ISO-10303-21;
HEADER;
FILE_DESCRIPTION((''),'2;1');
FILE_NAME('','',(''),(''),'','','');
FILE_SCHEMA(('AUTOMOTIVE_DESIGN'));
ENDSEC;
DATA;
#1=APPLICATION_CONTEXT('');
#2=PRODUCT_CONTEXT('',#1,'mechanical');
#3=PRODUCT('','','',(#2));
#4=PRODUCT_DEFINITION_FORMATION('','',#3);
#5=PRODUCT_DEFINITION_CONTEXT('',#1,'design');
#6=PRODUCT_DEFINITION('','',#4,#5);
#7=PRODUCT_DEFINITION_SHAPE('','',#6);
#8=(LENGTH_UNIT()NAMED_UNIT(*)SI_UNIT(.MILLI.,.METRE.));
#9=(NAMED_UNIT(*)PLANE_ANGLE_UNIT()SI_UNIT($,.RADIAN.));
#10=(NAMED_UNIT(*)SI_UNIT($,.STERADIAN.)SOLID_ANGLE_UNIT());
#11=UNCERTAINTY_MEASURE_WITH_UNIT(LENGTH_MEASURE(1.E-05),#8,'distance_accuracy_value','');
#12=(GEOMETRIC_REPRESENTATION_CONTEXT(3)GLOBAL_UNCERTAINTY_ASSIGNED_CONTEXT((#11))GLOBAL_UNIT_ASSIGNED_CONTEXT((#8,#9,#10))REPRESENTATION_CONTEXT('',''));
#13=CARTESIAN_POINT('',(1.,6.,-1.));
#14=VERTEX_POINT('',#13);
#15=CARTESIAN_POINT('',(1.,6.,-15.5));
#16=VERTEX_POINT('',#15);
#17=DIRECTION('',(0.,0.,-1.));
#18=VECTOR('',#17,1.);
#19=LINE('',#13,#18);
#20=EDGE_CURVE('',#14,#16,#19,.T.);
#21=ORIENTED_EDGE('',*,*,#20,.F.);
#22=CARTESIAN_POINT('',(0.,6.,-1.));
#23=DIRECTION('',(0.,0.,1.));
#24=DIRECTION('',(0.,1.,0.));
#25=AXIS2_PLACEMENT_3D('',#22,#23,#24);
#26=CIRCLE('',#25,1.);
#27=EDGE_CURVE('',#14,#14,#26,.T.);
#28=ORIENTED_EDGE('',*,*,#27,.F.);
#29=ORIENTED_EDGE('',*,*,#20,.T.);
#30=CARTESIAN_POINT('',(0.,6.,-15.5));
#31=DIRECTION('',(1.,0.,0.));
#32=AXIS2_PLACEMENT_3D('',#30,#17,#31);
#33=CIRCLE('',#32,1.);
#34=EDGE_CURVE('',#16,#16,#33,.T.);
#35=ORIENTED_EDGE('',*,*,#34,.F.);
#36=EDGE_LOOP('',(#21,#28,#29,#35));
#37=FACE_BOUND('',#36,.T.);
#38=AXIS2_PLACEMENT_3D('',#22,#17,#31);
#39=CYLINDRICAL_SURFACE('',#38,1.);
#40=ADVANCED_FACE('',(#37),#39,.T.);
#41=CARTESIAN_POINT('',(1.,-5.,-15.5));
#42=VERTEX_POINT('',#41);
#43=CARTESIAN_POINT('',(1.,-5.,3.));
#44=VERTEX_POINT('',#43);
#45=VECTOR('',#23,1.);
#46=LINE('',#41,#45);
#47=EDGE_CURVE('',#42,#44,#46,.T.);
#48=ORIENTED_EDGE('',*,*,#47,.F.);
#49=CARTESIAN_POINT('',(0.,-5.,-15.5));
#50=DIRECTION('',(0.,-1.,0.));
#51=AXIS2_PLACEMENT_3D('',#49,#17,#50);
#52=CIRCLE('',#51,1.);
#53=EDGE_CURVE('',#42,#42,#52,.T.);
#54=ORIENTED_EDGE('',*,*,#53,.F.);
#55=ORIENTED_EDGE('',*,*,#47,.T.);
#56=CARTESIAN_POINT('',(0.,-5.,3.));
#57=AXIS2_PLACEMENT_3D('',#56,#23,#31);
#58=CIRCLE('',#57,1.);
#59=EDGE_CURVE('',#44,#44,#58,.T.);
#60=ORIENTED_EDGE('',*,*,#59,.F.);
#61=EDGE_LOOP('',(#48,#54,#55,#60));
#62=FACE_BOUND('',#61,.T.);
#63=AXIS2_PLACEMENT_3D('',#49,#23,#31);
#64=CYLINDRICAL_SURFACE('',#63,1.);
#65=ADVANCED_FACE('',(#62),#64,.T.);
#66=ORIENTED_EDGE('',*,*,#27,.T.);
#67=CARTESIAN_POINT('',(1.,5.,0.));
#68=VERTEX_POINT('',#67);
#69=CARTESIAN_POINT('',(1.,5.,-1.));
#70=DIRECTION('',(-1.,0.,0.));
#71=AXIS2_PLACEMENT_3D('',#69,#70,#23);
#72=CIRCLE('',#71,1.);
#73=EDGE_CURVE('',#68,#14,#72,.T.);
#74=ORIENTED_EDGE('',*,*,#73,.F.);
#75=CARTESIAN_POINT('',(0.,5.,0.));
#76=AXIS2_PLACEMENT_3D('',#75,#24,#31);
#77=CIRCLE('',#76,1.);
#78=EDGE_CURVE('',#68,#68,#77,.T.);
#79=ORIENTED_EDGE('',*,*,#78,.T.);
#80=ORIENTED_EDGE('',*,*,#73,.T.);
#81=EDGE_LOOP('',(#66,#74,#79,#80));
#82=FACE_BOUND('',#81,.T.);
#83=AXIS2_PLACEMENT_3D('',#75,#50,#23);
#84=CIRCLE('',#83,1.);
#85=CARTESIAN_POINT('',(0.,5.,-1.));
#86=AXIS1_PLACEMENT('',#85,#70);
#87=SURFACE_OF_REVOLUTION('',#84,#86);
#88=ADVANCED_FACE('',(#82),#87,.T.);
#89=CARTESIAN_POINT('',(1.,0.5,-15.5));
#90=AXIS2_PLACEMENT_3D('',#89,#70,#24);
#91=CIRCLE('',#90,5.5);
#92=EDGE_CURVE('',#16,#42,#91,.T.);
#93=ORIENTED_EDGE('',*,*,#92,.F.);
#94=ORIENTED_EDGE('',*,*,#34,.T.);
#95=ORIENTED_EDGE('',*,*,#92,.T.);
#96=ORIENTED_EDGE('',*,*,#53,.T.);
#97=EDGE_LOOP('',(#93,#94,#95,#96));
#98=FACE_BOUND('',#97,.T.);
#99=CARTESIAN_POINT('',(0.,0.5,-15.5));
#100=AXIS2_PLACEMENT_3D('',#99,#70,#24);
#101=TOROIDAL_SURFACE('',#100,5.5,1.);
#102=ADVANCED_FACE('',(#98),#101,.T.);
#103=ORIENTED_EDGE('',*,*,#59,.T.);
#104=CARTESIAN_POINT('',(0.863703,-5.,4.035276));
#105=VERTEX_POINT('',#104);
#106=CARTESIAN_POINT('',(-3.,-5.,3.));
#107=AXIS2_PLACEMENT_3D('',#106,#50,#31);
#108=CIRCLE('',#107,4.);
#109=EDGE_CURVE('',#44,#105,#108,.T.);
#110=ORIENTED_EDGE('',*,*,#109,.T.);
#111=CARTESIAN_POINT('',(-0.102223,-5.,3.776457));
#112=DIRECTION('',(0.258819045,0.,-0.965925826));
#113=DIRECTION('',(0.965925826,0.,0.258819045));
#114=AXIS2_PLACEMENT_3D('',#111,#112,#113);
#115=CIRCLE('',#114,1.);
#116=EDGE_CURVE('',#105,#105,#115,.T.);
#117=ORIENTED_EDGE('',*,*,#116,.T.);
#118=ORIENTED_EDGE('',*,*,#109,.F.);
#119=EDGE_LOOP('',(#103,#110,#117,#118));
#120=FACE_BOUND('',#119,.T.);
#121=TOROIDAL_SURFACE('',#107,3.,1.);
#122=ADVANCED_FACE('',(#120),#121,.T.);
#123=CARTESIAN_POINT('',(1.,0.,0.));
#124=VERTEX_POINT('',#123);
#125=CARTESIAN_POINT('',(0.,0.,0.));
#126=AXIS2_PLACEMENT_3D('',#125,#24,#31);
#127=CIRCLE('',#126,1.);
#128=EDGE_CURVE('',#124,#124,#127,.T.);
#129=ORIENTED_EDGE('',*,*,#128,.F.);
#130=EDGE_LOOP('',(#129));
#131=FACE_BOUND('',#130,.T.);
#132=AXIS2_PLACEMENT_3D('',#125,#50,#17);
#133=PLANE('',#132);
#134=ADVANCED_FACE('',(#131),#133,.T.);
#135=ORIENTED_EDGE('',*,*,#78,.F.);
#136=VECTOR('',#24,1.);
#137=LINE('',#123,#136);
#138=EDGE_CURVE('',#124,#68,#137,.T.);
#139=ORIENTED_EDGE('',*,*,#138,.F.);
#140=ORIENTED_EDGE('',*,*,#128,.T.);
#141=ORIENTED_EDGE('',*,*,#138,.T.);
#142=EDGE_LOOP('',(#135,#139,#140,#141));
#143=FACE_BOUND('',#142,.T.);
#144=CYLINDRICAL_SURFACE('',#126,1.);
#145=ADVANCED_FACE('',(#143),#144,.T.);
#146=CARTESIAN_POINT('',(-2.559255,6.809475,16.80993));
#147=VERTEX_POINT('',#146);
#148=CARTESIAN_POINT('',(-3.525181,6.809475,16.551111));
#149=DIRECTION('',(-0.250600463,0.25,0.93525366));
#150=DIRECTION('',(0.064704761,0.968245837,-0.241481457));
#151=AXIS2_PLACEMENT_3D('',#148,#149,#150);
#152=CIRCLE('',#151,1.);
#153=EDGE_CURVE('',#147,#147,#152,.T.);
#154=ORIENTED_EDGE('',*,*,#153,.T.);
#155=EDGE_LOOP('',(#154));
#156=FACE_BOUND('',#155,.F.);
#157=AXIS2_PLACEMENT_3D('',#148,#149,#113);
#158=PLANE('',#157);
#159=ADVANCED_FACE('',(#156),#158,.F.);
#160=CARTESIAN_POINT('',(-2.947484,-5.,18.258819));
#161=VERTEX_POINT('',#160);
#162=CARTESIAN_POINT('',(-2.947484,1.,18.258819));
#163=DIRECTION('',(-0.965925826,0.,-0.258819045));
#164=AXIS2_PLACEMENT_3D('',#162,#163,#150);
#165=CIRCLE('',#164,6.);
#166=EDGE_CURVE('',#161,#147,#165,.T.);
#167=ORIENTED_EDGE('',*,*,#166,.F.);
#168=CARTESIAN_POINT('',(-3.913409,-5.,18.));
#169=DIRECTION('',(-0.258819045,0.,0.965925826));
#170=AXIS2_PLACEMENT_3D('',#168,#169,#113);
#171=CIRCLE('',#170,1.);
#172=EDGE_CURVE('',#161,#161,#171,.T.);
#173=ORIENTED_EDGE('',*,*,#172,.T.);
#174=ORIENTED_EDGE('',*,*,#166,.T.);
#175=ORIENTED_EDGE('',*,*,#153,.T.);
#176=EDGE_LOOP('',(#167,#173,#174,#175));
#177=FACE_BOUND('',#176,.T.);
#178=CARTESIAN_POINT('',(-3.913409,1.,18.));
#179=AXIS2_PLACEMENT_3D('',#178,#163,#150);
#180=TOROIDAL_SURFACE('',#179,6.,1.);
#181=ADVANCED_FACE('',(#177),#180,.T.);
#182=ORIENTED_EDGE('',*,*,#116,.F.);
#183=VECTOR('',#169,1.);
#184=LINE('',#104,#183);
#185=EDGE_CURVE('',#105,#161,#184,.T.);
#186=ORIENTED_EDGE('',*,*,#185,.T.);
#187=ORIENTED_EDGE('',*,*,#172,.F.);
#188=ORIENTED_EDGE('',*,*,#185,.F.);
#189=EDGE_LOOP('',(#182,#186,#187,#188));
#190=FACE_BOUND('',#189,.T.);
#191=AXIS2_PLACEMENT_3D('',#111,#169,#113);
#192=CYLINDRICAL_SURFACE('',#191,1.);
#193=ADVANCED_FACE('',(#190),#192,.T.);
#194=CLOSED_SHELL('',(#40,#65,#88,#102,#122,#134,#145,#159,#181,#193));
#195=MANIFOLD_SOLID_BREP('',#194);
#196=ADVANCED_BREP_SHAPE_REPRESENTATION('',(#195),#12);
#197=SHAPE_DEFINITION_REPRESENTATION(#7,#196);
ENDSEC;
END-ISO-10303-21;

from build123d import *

# Parameters (mm, degrees)
F1_R = 1


with BuildPart() as f6:
    # F6: sweep along a path in F0, F3, F5
    with BuildLine(Plane.YZ) as f6_path:
        Line((0, 0), (5, 0))
        ThreePointArc((5, 0), (5.7071067812, -0.2928932188), (6, -1))
        Line((6, -1), (6, -15.5))
        ThreePointArc((6, -15.5), (0.5, -21), (-5, -15.5))
        Line((-5, -15.5), (-5, 3))
    with BuildLine(Plane.XZ.offset(5)) as f6_path_2:
        ThreePointArc((0, 3), (-0.0256654159, 3.3915785767), (-0.1022225211, 3.7764571353))
        Line((-0.1022225211, 3.7764571353), (-3.9134093452, 18))
    with BuildLine(Plane(origin=(0.8487393732, 0, 0.2274190296), x_dir=(0, 1, 0), z_dir=(0.9659258263, 0, 0.2588190451))) as f6_path_3:
        ThreePointArc((6.8094750193, 16.899529743), (1.7560257549, 24.3517079206), (-5, 18.399529743))
    # F1 (on Front) → F6 (sweep)
    with BuildSketch(Plane.XZ):
        Circle(F1_R)
    sweep(path=f6_path.line + f6_path_2.line + f6_path_3.line)


solid = f6.part
